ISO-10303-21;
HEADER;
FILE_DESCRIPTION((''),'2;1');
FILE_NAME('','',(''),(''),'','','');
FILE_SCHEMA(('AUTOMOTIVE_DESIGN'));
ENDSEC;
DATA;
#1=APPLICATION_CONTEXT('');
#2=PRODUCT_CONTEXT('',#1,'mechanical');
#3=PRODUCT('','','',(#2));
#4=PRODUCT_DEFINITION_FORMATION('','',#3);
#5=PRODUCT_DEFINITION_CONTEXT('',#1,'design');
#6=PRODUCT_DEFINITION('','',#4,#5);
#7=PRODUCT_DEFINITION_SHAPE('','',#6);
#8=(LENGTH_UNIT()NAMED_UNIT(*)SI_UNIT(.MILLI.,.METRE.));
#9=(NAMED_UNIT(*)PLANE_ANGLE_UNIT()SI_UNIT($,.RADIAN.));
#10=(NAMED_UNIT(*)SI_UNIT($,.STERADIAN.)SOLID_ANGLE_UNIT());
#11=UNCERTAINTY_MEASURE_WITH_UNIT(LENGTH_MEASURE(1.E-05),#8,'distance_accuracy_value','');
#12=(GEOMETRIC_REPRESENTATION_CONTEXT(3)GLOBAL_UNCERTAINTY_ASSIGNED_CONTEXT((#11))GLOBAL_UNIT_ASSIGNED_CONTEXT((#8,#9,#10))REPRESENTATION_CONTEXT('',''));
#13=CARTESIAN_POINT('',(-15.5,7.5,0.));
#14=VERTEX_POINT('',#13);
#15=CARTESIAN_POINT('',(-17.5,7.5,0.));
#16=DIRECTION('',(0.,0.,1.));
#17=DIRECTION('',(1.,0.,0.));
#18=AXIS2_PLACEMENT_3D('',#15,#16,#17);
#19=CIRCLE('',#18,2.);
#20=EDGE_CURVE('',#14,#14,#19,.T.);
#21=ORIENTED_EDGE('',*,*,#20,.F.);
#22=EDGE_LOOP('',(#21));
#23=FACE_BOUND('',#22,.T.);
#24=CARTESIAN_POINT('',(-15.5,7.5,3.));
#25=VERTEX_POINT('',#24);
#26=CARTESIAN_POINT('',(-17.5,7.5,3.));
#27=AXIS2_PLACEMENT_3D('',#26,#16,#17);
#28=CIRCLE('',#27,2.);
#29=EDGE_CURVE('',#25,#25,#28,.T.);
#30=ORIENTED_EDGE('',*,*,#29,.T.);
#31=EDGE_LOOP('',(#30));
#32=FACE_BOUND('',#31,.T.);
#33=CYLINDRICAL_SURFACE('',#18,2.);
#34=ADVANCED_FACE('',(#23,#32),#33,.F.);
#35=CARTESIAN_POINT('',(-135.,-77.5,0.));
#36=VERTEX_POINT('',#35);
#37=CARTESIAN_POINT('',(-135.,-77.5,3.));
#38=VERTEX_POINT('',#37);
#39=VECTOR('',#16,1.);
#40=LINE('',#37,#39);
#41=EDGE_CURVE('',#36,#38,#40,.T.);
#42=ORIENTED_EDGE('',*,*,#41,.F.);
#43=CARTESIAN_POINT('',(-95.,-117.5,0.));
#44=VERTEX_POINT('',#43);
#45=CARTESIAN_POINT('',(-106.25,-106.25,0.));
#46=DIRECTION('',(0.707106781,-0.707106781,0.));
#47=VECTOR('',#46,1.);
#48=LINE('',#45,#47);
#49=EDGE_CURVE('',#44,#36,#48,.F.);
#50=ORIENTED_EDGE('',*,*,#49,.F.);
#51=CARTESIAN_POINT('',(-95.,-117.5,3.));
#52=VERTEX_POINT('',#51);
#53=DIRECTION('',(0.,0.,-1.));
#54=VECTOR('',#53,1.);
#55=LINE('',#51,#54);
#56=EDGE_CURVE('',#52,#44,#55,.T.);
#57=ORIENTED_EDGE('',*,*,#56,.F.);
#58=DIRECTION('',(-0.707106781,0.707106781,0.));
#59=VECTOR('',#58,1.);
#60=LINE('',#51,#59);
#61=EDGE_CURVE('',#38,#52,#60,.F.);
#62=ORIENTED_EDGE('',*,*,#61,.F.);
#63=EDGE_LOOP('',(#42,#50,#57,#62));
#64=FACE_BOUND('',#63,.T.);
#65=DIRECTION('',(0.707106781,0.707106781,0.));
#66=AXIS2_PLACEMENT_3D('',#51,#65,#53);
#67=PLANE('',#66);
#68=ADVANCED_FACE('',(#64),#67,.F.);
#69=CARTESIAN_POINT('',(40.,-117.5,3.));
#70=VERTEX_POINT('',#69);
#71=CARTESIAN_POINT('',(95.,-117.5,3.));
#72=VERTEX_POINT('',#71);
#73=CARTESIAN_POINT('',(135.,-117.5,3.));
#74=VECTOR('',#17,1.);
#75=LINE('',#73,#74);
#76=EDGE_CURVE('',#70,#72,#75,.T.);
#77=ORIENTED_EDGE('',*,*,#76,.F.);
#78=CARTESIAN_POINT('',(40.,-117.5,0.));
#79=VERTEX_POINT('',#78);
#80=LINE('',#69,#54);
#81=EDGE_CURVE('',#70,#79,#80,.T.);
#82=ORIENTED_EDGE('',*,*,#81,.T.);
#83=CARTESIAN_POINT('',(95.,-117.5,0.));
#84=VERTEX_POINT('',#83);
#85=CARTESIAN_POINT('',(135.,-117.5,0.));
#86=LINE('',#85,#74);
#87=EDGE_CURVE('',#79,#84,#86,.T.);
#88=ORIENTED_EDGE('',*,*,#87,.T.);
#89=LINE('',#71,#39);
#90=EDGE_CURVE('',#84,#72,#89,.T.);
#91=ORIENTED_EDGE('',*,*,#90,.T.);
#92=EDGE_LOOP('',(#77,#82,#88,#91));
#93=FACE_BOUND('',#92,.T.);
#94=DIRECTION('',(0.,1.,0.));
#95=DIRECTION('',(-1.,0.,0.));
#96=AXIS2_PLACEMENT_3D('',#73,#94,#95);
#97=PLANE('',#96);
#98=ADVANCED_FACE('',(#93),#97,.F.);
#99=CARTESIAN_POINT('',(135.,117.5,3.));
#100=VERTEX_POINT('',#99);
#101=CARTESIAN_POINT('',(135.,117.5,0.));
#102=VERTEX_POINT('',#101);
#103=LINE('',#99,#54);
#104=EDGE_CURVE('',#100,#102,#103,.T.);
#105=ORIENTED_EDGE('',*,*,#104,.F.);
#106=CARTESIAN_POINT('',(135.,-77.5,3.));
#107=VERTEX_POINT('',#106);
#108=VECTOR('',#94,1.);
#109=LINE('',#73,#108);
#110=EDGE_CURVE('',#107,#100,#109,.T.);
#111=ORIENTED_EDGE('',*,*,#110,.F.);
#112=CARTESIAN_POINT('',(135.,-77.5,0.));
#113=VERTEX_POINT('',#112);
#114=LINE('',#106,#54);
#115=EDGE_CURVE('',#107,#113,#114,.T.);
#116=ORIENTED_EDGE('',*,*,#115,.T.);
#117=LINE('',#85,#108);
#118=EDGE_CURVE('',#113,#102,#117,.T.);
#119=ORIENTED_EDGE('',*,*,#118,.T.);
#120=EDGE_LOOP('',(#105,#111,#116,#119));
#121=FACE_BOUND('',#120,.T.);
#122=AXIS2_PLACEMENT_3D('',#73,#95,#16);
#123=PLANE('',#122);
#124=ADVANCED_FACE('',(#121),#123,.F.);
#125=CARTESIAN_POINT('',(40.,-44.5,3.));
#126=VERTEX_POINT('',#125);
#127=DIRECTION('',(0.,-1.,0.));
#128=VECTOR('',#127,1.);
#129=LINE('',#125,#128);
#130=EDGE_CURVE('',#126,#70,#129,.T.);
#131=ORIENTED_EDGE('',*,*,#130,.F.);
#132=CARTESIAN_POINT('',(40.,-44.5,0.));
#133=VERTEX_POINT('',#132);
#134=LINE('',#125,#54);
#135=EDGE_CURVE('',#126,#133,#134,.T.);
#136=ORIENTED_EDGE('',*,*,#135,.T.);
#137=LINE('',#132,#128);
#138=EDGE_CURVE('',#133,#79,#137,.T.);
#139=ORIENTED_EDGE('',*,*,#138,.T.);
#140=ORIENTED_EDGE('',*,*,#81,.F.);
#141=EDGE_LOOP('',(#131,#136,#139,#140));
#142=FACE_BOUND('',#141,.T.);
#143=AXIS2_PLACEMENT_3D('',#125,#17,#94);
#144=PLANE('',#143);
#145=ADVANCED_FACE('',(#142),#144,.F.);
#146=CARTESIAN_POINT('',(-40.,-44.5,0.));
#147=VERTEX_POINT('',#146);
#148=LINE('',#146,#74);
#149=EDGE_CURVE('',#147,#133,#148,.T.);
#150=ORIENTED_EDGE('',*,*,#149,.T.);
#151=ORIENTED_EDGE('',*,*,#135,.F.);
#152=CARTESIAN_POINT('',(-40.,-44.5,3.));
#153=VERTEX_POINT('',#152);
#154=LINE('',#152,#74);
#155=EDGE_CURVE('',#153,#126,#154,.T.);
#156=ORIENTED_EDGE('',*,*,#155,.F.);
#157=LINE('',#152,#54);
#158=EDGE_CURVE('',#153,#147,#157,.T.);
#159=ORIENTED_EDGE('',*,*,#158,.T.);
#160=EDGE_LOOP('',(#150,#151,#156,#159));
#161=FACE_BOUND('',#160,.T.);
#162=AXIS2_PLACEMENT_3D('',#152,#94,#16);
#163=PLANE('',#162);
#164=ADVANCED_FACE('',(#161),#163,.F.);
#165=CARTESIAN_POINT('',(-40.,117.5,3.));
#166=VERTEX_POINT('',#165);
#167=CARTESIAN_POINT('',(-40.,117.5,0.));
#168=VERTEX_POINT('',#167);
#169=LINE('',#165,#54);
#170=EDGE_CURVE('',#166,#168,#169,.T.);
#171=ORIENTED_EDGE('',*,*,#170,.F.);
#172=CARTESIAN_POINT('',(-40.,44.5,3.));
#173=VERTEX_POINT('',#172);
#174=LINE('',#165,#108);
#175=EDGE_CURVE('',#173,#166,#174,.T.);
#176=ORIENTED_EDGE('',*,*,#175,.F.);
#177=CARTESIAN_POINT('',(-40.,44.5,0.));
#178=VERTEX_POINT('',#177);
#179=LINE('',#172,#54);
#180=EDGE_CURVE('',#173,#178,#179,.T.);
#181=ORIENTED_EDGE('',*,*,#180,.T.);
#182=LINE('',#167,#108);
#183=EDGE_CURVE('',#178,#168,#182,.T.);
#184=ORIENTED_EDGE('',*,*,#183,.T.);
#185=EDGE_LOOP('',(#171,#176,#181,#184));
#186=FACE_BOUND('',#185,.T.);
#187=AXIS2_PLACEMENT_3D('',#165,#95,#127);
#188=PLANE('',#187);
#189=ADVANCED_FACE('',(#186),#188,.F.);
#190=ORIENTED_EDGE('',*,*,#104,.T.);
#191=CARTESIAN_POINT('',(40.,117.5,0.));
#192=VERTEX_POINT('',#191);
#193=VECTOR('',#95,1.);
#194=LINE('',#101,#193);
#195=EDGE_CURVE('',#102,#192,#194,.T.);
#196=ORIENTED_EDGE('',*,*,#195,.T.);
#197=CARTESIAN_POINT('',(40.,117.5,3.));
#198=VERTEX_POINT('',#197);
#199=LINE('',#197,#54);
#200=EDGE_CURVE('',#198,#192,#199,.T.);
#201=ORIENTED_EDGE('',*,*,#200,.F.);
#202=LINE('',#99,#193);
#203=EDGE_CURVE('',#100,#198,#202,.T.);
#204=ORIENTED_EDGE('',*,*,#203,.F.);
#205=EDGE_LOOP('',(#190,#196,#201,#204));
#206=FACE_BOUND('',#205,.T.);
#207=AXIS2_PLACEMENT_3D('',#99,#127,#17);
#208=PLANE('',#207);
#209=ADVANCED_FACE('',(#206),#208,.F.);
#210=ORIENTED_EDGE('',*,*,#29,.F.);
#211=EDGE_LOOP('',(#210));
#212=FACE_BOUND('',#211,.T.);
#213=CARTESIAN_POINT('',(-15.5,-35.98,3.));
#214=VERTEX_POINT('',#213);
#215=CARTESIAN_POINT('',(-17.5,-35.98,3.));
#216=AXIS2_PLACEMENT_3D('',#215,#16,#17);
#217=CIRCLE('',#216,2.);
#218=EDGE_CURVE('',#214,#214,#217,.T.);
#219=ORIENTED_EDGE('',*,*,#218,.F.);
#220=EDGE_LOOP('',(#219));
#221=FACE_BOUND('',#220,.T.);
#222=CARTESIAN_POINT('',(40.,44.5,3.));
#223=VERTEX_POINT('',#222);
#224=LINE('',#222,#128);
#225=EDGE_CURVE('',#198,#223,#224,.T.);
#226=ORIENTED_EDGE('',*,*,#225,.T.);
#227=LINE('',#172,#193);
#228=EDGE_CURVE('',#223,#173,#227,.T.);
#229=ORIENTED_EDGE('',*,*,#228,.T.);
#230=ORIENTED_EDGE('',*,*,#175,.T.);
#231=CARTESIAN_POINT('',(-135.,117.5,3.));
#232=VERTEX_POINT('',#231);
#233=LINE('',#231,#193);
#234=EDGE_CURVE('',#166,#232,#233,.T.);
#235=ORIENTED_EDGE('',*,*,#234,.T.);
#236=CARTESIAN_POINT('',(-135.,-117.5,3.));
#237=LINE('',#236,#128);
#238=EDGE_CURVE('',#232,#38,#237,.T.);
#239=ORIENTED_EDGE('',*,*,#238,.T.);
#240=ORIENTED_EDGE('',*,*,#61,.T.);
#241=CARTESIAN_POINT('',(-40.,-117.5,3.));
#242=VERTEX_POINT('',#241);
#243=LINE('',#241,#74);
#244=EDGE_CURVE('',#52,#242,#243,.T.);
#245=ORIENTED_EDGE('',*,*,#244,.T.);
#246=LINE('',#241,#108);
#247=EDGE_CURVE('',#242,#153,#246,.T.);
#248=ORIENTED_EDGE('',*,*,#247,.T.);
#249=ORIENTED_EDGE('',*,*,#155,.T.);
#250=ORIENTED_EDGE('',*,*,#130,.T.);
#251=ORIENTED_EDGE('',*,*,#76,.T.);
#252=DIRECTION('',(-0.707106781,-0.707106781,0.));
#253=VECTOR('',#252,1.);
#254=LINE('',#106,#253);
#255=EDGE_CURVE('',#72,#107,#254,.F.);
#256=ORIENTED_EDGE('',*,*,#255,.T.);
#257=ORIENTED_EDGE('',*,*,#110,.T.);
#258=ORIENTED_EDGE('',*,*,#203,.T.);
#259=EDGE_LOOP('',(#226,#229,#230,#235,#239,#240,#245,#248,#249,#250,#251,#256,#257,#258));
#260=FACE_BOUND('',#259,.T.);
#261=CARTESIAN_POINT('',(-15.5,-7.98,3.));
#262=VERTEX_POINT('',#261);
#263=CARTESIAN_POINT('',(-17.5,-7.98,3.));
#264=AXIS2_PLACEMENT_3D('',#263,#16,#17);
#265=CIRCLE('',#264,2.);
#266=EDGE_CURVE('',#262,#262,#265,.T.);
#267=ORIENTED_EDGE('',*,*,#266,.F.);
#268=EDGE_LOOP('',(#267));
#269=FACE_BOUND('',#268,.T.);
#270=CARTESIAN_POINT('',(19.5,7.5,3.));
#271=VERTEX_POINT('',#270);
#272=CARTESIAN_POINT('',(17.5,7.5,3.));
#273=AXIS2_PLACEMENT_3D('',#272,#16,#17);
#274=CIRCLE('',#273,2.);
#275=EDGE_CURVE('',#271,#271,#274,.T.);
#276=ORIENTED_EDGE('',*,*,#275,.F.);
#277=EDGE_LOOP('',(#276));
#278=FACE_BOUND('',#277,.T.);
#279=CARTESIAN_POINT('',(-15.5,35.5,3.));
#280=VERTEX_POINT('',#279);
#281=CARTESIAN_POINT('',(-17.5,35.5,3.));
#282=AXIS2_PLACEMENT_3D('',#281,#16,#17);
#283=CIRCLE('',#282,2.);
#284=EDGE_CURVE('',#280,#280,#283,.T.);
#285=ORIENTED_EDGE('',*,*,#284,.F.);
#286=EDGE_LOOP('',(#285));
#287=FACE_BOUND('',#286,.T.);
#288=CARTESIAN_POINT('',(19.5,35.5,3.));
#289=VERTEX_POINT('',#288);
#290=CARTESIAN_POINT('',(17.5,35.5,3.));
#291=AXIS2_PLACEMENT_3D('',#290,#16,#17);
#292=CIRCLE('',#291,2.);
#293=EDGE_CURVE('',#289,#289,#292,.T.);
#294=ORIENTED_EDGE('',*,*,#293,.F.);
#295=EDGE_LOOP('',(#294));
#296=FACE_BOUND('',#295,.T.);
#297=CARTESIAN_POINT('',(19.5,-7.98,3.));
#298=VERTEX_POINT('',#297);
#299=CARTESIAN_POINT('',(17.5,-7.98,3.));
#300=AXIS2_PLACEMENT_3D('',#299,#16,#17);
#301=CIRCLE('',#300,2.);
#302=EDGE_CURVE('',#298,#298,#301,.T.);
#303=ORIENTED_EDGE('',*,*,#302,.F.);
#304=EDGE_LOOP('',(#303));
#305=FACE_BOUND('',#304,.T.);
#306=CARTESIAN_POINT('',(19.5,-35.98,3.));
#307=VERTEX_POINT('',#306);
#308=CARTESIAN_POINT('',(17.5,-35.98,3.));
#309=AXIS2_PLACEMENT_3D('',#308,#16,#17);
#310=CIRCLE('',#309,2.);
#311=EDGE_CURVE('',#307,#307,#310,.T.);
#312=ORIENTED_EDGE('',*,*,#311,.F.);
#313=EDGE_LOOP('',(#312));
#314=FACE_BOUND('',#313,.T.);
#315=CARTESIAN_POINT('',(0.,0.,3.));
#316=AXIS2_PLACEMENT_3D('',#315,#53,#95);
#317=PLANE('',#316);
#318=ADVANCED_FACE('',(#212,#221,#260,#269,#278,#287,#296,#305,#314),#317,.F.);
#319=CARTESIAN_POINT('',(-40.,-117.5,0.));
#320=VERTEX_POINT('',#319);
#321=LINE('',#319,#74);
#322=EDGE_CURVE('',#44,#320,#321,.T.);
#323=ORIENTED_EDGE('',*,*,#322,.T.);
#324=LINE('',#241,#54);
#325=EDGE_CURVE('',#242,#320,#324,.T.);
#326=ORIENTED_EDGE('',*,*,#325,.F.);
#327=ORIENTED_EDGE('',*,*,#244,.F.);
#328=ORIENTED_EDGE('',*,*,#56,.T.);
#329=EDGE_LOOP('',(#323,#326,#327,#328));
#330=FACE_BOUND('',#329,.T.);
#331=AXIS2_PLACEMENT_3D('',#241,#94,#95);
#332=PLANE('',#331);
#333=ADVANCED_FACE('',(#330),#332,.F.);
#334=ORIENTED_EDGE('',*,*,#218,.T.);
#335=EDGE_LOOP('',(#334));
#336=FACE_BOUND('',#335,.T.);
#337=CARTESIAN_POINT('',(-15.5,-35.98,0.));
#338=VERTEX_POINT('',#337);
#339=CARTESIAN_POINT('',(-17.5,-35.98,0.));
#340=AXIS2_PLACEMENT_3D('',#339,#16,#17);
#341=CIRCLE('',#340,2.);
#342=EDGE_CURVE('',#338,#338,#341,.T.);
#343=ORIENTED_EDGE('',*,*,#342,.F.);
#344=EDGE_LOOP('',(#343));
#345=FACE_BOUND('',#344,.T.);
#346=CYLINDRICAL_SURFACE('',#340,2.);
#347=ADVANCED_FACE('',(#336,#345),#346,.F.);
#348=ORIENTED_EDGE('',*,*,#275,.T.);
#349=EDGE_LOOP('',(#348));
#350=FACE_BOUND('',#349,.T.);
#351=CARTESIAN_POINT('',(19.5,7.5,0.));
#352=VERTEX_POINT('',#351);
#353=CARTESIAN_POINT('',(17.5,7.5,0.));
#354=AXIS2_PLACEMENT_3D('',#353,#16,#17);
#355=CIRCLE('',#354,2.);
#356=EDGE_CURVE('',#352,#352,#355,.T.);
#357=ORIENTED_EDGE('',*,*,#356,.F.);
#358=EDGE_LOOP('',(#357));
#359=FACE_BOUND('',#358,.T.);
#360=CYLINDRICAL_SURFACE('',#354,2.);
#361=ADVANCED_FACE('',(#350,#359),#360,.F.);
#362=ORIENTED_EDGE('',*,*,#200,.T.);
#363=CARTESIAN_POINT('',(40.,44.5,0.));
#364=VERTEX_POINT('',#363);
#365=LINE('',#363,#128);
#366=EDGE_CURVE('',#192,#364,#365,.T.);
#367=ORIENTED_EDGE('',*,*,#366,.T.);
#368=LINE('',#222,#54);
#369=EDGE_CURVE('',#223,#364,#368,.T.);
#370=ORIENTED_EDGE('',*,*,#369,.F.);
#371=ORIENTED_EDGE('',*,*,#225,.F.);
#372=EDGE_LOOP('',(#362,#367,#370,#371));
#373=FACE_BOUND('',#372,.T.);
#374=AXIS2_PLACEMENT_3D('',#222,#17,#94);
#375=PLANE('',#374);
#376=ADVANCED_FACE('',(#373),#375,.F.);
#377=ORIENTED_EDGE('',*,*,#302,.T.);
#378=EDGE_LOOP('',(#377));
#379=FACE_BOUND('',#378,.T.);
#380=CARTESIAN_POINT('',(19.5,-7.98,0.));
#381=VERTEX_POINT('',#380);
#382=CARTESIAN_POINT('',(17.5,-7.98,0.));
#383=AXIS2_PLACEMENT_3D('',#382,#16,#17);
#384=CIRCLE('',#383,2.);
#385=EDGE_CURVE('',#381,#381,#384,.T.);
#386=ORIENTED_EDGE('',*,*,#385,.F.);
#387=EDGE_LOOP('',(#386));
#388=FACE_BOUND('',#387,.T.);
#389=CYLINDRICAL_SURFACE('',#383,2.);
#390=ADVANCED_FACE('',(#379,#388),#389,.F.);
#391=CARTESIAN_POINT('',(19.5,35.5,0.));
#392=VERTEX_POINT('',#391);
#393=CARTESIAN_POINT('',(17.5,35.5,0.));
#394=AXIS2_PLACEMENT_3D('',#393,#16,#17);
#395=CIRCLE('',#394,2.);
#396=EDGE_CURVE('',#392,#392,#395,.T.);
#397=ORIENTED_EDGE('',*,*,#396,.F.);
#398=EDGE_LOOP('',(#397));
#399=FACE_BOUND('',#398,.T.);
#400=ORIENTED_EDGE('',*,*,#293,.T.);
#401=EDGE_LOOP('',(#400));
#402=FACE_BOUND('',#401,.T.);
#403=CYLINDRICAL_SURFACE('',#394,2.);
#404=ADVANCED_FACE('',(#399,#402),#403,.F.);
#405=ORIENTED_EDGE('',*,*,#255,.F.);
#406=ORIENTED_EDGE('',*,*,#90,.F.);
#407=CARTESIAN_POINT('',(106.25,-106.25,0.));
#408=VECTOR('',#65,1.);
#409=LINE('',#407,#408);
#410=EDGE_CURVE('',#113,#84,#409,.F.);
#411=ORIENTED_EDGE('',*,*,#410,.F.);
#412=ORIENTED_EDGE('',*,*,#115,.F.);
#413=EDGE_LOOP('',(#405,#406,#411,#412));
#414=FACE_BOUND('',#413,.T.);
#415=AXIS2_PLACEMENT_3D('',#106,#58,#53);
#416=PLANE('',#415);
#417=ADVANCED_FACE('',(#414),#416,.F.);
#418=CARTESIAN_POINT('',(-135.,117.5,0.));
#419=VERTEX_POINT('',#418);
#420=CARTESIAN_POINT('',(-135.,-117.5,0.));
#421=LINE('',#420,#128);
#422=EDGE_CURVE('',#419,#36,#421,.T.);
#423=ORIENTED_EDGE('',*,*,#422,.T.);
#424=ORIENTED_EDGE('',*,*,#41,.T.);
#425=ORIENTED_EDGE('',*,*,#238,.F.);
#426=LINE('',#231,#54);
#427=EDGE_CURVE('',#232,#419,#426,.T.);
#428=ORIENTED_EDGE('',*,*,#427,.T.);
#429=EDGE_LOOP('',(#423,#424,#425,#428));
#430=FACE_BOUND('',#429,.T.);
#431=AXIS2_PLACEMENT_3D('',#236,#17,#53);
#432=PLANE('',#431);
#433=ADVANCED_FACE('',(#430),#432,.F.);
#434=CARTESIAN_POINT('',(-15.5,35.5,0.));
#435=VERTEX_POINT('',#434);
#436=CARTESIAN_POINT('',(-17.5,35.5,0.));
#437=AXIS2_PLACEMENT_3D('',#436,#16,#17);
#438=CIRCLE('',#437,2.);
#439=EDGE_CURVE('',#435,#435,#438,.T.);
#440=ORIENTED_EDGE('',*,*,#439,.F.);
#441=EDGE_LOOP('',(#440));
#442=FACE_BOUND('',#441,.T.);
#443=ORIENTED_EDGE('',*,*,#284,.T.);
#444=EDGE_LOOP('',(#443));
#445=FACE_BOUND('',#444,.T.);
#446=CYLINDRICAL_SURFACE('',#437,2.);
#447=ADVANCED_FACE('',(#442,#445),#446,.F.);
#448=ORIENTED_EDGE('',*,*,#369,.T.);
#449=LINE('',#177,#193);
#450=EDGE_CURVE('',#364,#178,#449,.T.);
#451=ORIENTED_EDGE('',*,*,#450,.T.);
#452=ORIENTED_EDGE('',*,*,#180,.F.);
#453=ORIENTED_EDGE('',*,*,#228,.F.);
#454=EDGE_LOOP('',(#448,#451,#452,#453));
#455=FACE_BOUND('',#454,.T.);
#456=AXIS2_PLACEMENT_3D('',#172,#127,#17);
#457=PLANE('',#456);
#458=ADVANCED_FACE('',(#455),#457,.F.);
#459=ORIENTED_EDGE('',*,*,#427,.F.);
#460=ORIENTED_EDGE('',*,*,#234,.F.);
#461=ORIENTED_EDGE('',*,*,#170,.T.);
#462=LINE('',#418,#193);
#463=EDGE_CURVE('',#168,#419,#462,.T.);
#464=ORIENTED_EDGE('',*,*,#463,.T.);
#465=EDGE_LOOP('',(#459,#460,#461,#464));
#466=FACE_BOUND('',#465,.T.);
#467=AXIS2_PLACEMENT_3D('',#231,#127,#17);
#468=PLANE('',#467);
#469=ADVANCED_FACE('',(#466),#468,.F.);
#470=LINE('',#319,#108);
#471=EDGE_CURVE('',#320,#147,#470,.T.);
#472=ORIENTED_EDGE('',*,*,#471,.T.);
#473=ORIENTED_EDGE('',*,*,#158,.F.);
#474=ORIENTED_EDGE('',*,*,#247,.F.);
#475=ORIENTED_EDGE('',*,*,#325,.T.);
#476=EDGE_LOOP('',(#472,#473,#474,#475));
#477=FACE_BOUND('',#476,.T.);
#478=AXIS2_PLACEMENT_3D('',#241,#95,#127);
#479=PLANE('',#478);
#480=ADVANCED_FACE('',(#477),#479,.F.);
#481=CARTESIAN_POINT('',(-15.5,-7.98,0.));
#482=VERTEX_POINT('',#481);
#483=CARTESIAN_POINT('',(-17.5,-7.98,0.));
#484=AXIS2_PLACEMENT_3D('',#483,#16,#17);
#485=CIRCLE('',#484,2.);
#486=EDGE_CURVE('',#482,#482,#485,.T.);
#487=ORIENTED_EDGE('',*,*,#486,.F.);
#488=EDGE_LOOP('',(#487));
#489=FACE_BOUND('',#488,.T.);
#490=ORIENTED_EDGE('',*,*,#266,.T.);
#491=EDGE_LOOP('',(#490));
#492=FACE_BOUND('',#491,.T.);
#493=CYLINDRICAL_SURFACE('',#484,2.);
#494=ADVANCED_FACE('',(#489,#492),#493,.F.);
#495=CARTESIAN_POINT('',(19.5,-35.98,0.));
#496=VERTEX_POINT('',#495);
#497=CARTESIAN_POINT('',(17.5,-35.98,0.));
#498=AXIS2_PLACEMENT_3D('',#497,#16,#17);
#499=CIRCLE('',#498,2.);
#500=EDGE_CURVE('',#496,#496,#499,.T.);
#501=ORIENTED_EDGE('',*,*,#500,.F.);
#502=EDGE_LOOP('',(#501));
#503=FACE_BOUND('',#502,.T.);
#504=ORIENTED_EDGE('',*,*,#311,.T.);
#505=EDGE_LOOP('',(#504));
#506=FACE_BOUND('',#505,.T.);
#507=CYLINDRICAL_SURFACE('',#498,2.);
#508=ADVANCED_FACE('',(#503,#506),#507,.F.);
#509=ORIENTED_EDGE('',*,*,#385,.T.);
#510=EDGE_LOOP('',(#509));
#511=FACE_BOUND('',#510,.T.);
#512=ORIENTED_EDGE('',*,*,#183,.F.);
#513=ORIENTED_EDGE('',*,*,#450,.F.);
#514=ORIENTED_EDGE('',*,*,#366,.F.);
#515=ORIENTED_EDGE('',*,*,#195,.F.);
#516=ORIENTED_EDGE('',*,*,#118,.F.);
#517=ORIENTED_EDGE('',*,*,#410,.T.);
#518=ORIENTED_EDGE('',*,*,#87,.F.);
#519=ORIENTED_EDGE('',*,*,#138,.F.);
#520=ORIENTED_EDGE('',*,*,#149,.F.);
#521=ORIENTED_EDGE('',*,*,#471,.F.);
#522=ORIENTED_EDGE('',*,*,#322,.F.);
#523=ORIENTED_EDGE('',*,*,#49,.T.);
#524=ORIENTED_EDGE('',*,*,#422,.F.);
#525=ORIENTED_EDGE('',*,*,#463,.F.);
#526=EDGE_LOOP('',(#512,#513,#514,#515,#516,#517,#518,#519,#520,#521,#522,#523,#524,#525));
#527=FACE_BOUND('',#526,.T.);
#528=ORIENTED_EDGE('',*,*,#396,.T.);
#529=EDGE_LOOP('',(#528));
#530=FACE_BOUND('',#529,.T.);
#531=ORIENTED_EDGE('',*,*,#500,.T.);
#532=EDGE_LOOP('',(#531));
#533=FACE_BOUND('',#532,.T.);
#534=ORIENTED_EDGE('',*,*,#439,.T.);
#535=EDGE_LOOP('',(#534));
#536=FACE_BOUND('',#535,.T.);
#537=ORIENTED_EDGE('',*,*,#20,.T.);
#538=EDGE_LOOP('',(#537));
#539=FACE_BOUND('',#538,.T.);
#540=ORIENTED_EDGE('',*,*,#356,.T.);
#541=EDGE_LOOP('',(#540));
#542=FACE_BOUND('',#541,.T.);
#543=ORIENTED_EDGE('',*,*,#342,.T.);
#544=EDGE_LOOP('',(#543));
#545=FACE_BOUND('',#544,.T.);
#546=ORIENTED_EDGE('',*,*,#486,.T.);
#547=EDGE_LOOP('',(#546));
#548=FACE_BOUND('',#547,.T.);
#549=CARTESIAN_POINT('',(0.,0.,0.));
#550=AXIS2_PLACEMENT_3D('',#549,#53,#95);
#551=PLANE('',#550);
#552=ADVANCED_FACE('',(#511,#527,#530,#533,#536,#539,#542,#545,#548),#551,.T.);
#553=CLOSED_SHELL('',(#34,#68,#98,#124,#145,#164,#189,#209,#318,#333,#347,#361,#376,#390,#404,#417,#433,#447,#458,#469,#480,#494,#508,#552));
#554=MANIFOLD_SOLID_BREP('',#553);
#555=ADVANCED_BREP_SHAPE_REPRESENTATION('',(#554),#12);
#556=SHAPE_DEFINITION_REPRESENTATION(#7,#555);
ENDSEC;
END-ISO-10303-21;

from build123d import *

# Parameters (mm, degrees)
BOSS_EXTRU_1_DEPTH      = 3
ESQUISSE2_R             = 2
ENL_V_MAT_EXTRU_1_DEPTH = 179.997905016
CHANFREIN1_SIZE         = 40


with BuildPart() as part:
    # Esquisse1 → Boss.-Extru.1 (new body)
    with BuildSketch(Plane.XY):
        Polygon((-40, 117.5), (-40, 44.5), (40, 44.5), (40, 117.5), (135, 117.5), (135, -117.5), (40, -117.5), (40, -44.5), (-40, -44.5), (-40, -117.5), (-135, -117.5), (-135, 117.5), align=None)
    extrude(amount=BOSS_EXTRU_1_DEPTH)

    # Esquisse2 → Enlèv. mat.-Extru.1 (cut, through all)
    with BuildSketch(Plane.XY.offset(3)):
        with Locations((-17.5, -35.98)):
            Circle(ESQUISSE2_R)
        with Locations((17.5, -35.98)):
            Circle(ESQUISSE2_R)
        with Locations((-17.5, -7.98)):
            Circle(ESQUISSE2_R)
        with Locations((-17.5, 7.5)):
            Circle(ESQUISSE2_R)
        with Locations((17.5, 7.5)):
            Circle(ESQUISSE2_R)
        with Locations((17.5, -7.98)):
            Circle(ESQUISSE2_R)
        with Locations((-17.5, 35.5)):
            Circle(ESQUISSE2_R)
        with Locations((17.5, 35.5)):
            Circle(ESQUISSE2_R)
    extrude(amount=-ENL_V_MAT_EXTRU_1_DEPTH, mode=Mode.SUBTRACT)

    # Chanfrein1
    chanfrein1_edges = [part.edges().sort_by_distance(p)[0] for p in [
        (135, -117.5, 1.5),
        (-135, -117.5, 1.5),
    ]]
    chamfer(chanfrein1_edges, length=CHANFREIN1_SIZE)


solid = part.part
